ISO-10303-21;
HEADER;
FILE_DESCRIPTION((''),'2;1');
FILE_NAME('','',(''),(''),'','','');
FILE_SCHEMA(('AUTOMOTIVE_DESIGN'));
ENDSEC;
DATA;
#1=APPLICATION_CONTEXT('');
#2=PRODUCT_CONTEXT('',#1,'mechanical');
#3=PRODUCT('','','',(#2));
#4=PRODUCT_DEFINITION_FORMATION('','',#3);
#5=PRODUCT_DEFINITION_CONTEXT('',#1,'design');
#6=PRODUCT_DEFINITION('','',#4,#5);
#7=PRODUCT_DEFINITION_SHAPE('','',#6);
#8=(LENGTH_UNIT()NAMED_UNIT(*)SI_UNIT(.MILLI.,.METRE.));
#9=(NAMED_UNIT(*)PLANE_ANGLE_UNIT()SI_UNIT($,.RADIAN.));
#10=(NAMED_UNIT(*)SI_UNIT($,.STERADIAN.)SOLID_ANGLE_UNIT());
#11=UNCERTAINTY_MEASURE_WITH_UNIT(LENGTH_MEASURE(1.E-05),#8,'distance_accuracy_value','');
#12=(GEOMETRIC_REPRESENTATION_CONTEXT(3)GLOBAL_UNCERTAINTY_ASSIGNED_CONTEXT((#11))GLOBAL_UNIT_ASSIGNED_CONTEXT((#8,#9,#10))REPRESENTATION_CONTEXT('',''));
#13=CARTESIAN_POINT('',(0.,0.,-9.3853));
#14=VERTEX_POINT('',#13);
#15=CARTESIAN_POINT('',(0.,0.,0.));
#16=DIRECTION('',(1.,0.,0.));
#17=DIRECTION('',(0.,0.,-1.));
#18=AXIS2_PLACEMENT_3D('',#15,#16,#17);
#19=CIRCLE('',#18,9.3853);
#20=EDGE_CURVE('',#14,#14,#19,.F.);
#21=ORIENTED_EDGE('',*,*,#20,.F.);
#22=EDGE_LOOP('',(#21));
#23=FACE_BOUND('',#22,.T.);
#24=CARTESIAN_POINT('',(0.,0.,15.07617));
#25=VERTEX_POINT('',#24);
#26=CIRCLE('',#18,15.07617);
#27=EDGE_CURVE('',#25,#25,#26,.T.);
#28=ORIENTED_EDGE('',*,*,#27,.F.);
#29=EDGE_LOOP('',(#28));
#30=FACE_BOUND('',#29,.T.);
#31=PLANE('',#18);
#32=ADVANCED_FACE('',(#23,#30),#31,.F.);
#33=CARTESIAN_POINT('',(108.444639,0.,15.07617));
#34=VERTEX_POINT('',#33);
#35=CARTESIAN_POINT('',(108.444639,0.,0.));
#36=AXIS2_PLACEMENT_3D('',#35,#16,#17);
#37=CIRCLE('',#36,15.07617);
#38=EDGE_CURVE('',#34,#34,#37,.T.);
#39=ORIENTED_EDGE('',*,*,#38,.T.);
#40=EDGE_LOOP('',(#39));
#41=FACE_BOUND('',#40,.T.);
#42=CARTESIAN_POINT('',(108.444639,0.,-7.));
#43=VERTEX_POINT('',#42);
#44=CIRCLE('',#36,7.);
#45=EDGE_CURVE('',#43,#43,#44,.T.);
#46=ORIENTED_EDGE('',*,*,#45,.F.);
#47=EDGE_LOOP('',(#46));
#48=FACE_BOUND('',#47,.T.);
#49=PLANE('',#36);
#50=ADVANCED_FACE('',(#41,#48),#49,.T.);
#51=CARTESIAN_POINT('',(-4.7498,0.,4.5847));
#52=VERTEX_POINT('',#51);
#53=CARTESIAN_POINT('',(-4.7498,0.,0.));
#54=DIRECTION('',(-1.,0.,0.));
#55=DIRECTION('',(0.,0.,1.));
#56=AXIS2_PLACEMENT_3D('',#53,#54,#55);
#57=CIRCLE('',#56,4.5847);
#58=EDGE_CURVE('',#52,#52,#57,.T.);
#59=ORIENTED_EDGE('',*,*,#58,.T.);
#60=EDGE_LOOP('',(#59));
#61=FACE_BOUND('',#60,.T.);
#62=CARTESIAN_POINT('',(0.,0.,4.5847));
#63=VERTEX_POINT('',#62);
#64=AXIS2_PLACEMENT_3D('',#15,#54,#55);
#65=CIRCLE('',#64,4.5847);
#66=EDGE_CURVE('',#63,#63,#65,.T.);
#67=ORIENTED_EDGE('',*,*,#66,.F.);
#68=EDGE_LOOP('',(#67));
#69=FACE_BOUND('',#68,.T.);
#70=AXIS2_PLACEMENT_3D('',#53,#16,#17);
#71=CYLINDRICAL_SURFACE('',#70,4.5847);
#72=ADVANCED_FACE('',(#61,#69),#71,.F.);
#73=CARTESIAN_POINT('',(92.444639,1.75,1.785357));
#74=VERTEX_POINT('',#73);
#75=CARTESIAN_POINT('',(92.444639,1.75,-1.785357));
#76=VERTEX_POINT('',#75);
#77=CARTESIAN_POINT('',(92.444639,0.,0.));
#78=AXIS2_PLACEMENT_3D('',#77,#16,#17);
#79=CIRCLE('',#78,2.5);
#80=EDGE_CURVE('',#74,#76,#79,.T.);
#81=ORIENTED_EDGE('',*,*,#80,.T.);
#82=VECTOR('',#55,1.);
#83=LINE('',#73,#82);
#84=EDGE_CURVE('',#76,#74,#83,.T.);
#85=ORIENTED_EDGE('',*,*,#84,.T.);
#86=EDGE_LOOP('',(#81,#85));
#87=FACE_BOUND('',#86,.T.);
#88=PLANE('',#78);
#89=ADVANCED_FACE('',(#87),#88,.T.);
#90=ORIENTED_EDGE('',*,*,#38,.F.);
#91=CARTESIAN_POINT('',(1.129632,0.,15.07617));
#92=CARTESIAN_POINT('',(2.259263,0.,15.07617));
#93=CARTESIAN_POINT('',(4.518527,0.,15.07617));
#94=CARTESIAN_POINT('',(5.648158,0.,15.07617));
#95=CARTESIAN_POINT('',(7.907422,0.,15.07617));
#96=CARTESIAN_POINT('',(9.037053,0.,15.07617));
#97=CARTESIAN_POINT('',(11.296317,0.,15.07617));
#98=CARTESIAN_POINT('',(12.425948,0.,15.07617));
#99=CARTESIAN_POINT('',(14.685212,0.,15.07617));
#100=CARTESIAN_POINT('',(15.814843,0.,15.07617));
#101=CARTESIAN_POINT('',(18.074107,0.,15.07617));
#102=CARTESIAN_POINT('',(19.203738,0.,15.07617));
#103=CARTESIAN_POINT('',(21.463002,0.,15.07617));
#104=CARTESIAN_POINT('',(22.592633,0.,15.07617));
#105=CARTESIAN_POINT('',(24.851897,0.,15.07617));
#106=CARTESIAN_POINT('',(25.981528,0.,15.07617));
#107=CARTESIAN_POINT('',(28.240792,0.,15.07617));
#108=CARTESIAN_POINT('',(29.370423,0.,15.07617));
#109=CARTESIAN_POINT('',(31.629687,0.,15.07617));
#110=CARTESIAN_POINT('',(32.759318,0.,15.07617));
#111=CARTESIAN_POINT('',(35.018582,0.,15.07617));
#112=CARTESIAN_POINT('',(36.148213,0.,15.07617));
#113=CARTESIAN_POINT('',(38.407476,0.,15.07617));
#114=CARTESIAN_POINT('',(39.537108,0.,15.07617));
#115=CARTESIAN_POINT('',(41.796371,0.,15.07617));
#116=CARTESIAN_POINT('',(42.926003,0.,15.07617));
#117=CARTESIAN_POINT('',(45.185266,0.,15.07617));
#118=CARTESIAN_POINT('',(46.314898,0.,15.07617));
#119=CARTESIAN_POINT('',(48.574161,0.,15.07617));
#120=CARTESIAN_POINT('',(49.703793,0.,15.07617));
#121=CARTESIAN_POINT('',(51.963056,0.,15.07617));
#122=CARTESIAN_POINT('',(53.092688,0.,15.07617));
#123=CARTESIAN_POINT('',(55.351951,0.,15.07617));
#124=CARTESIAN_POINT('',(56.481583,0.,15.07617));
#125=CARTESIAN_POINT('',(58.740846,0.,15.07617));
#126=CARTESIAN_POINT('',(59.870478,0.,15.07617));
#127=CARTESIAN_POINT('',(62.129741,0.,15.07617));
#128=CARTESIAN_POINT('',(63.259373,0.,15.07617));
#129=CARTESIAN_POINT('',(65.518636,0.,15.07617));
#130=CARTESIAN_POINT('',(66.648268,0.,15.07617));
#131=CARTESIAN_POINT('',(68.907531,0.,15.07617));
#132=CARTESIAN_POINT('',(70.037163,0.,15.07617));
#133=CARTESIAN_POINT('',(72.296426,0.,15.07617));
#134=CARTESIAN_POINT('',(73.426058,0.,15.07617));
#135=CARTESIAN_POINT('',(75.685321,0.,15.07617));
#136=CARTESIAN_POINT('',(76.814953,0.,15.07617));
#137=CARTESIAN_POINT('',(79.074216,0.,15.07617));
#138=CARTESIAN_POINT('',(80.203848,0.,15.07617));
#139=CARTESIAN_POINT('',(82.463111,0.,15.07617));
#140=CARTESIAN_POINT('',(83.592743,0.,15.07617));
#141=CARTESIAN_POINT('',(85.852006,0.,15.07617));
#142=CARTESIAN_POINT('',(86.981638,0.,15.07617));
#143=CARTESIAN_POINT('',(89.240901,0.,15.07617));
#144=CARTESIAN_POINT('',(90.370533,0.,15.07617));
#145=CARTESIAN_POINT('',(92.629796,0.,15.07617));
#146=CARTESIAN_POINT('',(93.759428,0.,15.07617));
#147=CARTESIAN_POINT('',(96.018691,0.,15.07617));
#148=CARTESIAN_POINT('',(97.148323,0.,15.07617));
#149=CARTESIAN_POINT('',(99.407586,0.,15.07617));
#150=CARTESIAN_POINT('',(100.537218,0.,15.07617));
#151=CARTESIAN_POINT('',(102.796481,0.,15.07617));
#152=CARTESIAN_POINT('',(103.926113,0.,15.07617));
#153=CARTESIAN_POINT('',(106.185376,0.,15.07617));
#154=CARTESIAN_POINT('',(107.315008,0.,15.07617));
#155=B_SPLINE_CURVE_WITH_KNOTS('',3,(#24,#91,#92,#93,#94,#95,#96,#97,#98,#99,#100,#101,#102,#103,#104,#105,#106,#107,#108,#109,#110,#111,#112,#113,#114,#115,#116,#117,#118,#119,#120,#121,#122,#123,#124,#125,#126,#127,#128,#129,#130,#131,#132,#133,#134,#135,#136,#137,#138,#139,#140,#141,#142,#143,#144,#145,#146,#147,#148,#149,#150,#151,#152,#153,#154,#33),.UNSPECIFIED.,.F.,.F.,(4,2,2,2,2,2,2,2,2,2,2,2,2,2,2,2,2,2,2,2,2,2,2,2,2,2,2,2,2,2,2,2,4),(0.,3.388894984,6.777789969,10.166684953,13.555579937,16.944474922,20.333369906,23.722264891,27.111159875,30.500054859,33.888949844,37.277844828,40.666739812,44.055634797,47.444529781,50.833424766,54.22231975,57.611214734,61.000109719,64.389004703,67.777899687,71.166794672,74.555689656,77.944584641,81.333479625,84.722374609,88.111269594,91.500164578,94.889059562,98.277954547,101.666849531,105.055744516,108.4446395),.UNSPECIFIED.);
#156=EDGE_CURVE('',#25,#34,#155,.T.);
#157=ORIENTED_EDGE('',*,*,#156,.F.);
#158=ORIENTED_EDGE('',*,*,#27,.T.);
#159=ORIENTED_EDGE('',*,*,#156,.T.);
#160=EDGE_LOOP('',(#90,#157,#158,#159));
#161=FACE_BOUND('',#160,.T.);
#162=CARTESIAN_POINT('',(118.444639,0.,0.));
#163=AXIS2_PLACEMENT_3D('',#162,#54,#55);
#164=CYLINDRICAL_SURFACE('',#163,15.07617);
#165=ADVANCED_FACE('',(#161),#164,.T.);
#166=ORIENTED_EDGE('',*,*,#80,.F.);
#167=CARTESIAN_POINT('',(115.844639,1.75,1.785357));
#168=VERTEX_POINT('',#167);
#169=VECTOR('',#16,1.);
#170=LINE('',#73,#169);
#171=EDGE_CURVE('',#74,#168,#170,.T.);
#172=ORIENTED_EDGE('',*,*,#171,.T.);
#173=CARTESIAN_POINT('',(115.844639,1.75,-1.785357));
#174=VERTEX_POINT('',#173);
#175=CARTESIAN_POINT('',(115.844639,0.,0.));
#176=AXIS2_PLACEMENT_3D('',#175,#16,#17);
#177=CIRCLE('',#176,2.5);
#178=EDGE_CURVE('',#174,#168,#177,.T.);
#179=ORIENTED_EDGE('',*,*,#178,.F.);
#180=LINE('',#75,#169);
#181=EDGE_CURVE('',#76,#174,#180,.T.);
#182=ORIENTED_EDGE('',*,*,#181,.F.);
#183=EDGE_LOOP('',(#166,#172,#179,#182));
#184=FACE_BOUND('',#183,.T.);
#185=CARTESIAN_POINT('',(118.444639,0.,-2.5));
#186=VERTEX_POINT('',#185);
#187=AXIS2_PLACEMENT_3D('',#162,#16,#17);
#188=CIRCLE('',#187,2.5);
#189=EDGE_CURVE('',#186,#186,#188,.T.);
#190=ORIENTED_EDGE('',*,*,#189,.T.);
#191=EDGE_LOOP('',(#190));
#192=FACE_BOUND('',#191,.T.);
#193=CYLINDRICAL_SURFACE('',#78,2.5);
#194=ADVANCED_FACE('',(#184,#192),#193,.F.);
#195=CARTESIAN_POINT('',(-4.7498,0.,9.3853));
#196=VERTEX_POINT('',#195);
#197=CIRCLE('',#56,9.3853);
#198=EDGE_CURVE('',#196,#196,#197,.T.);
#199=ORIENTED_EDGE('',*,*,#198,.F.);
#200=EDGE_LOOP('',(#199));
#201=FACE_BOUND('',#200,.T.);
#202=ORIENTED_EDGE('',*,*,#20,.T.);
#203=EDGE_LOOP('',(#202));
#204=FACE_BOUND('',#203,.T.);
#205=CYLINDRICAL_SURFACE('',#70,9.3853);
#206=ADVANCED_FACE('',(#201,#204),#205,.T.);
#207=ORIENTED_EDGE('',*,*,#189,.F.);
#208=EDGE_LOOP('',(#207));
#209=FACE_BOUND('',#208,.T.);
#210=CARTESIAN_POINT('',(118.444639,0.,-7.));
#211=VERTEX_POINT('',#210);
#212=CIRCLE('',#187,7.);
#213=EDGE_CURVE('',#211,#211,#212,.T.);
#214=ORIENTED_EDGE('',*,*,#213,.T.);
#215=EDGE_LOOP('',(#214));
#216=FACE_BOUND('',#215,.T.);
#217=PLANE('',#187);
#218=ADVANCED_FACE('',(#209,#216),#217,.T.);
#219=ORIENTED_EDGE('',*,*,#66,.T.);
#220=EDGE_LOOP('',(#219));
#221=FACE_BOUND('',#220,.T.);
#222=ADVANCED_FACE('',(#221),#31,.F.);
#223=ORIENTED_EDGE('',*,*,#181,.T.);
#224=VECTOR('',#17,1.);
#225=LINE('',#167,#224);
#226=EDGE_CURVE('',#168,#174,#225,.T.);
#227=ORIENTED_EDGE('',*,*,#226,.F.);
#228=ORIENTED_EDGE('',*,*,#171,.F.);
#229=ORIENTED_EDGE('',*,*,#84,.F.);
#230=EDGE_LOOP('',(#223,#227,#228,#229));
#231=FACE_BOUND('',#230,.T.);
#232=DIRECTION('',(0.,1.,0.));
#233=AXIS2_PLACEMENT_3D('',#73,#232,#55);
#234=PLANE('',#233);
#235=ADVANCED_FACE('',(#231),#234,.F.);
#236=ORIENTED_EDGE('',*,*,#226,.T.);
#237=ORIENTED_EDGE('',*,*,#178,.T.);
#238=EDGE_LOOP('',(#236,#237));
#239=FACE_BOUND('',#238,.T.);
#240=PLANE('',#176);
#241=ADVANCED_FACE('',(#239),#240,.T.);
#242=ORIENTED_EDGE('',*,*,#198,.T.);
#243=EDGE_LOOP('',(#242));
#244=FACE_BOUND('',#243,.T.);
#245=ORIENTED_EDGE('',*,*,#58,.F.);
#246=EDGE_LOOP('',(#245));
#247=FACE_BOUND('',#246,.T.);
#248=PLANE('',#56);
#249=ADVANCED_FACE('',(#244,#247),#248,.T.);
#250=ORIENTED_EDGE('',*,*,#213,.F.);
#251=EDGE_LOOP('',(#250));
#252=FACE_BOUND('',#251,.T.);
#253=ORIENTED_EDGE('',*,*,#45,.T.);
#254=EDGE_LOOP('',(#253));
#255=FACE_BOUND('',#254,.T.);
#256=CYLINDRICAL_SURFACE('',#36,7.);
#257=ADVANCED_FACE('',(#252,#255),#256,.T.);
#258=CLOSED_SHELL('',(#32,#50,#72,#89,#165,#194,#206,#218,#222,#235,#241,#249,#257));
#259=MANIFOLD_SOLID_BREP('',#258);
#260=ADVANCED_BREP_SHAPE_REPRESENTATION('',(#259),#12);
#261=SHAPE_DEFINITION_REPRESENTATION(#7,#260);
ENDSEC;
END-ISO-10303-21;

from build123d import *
from build123d.topology import SkipClean

# Parameters (mm, degrees)
SKETCH1_R           = 15.07617
BOSS_EXTRUDE1_DEPTH = 118.4446395
SKETCH2_R           = 9.3853
SKETCH2_R_2         = 4.5847
BOSS_EXTRUDE2_DEPTH = 4.7498
CUT_EXTRUDE1_DEPTH  = 26
SKETCH4_R           = 2.5
CUT_EXTRUDE2_DEPTH  = 2.6
CUT_EXTRUDE3_START  = -10
SKETCH5_R           = 15.07617
SKETCH5_R_2         = 7
CUT_EXTRUDE3_DEPTH  = 10


with BuildPart() as part:
    # Sketch1 → Boss-Extrude1 (new body)
    with BuildSketch(Plane(origin=(0, 0, 0), x_dir=(0, 0, -1), z_dir=(1, 0, 0))):
        with Locations(Location((0, 0, 0), (0, 0, 180))):
            Circle(SKETCH1_R)
    extrude(amount=BOSS_EXTRUDE1_DEPTH)

    # Sketch2 → Boss-Extrude2 (add)
    with BuildSketch(Plane.ZY):
        with Locations(Location((0, 0, 0), (0, 0, 180))):
            Circle(SKETCH2_R)
        Circle(SKETCH2_R_2, mode=Mode.SUBTRACT)
    extrude(amount=BOSS_EXTRUDE2_DEPTH)

    # Sketch3 → Cut-Extrude1 (cut)
    with BuildSketch(Plane(origin=(118.4446395, 0, 0), x_dir=(0, 0, -1), z_dir=(1, 0, 0))):
        with BuildLine():
            Line((-1.7853571, 1.750000007), (1.7853571, 1.750000007))
            ThreePointArc((1.7853571, 1.750000007), (0, -2.5), (-1.7853571, 1.750000007))
        make_face()
    extrude(amount=-CUT_EXTRUDE1_DEPTH, mode=Mode.SUBTRACT)

    # Sketch4 → Cut-Extrude2 (cut)
    with SkipClean():  # the faces are left unmerged after this step: merging them gives an invalid solid
        with BuildSketch(Plane(origin=(118.4446395, 0, 0), x_dir=(0, 0, -1), z_dir=(1, 0, 0))):
            Circle(SKETCH4_R)
        extrude(amount=-CUT_EXTRUDE2_DEPTH, mode=Mode.SUBTRACT)

    # Sketch5 → Cut-Extrude3 (cut)
    with SkipClean():  # the faces are left unmerged after this step: merging them gives an invalid solid
        with BuildSketch(Plane(origin=(118.4446395, 0, 0), x_dir=(0, 0, -1), z_dir=(1, 0, 0)).offset(CUT_EXTRUDE3_START)):
            with Locations(Location((0, 0, 0), (0, 0, 180))):
                Circle(SKETCH5_R)
            Circle(SKETCH5_R_2, mode=Mode.SUBTRACT)
        extrude(amount=CUT_EXTRUDE3_DEPTH, mode=Mode.SUBTRACT)


solid = part.part
